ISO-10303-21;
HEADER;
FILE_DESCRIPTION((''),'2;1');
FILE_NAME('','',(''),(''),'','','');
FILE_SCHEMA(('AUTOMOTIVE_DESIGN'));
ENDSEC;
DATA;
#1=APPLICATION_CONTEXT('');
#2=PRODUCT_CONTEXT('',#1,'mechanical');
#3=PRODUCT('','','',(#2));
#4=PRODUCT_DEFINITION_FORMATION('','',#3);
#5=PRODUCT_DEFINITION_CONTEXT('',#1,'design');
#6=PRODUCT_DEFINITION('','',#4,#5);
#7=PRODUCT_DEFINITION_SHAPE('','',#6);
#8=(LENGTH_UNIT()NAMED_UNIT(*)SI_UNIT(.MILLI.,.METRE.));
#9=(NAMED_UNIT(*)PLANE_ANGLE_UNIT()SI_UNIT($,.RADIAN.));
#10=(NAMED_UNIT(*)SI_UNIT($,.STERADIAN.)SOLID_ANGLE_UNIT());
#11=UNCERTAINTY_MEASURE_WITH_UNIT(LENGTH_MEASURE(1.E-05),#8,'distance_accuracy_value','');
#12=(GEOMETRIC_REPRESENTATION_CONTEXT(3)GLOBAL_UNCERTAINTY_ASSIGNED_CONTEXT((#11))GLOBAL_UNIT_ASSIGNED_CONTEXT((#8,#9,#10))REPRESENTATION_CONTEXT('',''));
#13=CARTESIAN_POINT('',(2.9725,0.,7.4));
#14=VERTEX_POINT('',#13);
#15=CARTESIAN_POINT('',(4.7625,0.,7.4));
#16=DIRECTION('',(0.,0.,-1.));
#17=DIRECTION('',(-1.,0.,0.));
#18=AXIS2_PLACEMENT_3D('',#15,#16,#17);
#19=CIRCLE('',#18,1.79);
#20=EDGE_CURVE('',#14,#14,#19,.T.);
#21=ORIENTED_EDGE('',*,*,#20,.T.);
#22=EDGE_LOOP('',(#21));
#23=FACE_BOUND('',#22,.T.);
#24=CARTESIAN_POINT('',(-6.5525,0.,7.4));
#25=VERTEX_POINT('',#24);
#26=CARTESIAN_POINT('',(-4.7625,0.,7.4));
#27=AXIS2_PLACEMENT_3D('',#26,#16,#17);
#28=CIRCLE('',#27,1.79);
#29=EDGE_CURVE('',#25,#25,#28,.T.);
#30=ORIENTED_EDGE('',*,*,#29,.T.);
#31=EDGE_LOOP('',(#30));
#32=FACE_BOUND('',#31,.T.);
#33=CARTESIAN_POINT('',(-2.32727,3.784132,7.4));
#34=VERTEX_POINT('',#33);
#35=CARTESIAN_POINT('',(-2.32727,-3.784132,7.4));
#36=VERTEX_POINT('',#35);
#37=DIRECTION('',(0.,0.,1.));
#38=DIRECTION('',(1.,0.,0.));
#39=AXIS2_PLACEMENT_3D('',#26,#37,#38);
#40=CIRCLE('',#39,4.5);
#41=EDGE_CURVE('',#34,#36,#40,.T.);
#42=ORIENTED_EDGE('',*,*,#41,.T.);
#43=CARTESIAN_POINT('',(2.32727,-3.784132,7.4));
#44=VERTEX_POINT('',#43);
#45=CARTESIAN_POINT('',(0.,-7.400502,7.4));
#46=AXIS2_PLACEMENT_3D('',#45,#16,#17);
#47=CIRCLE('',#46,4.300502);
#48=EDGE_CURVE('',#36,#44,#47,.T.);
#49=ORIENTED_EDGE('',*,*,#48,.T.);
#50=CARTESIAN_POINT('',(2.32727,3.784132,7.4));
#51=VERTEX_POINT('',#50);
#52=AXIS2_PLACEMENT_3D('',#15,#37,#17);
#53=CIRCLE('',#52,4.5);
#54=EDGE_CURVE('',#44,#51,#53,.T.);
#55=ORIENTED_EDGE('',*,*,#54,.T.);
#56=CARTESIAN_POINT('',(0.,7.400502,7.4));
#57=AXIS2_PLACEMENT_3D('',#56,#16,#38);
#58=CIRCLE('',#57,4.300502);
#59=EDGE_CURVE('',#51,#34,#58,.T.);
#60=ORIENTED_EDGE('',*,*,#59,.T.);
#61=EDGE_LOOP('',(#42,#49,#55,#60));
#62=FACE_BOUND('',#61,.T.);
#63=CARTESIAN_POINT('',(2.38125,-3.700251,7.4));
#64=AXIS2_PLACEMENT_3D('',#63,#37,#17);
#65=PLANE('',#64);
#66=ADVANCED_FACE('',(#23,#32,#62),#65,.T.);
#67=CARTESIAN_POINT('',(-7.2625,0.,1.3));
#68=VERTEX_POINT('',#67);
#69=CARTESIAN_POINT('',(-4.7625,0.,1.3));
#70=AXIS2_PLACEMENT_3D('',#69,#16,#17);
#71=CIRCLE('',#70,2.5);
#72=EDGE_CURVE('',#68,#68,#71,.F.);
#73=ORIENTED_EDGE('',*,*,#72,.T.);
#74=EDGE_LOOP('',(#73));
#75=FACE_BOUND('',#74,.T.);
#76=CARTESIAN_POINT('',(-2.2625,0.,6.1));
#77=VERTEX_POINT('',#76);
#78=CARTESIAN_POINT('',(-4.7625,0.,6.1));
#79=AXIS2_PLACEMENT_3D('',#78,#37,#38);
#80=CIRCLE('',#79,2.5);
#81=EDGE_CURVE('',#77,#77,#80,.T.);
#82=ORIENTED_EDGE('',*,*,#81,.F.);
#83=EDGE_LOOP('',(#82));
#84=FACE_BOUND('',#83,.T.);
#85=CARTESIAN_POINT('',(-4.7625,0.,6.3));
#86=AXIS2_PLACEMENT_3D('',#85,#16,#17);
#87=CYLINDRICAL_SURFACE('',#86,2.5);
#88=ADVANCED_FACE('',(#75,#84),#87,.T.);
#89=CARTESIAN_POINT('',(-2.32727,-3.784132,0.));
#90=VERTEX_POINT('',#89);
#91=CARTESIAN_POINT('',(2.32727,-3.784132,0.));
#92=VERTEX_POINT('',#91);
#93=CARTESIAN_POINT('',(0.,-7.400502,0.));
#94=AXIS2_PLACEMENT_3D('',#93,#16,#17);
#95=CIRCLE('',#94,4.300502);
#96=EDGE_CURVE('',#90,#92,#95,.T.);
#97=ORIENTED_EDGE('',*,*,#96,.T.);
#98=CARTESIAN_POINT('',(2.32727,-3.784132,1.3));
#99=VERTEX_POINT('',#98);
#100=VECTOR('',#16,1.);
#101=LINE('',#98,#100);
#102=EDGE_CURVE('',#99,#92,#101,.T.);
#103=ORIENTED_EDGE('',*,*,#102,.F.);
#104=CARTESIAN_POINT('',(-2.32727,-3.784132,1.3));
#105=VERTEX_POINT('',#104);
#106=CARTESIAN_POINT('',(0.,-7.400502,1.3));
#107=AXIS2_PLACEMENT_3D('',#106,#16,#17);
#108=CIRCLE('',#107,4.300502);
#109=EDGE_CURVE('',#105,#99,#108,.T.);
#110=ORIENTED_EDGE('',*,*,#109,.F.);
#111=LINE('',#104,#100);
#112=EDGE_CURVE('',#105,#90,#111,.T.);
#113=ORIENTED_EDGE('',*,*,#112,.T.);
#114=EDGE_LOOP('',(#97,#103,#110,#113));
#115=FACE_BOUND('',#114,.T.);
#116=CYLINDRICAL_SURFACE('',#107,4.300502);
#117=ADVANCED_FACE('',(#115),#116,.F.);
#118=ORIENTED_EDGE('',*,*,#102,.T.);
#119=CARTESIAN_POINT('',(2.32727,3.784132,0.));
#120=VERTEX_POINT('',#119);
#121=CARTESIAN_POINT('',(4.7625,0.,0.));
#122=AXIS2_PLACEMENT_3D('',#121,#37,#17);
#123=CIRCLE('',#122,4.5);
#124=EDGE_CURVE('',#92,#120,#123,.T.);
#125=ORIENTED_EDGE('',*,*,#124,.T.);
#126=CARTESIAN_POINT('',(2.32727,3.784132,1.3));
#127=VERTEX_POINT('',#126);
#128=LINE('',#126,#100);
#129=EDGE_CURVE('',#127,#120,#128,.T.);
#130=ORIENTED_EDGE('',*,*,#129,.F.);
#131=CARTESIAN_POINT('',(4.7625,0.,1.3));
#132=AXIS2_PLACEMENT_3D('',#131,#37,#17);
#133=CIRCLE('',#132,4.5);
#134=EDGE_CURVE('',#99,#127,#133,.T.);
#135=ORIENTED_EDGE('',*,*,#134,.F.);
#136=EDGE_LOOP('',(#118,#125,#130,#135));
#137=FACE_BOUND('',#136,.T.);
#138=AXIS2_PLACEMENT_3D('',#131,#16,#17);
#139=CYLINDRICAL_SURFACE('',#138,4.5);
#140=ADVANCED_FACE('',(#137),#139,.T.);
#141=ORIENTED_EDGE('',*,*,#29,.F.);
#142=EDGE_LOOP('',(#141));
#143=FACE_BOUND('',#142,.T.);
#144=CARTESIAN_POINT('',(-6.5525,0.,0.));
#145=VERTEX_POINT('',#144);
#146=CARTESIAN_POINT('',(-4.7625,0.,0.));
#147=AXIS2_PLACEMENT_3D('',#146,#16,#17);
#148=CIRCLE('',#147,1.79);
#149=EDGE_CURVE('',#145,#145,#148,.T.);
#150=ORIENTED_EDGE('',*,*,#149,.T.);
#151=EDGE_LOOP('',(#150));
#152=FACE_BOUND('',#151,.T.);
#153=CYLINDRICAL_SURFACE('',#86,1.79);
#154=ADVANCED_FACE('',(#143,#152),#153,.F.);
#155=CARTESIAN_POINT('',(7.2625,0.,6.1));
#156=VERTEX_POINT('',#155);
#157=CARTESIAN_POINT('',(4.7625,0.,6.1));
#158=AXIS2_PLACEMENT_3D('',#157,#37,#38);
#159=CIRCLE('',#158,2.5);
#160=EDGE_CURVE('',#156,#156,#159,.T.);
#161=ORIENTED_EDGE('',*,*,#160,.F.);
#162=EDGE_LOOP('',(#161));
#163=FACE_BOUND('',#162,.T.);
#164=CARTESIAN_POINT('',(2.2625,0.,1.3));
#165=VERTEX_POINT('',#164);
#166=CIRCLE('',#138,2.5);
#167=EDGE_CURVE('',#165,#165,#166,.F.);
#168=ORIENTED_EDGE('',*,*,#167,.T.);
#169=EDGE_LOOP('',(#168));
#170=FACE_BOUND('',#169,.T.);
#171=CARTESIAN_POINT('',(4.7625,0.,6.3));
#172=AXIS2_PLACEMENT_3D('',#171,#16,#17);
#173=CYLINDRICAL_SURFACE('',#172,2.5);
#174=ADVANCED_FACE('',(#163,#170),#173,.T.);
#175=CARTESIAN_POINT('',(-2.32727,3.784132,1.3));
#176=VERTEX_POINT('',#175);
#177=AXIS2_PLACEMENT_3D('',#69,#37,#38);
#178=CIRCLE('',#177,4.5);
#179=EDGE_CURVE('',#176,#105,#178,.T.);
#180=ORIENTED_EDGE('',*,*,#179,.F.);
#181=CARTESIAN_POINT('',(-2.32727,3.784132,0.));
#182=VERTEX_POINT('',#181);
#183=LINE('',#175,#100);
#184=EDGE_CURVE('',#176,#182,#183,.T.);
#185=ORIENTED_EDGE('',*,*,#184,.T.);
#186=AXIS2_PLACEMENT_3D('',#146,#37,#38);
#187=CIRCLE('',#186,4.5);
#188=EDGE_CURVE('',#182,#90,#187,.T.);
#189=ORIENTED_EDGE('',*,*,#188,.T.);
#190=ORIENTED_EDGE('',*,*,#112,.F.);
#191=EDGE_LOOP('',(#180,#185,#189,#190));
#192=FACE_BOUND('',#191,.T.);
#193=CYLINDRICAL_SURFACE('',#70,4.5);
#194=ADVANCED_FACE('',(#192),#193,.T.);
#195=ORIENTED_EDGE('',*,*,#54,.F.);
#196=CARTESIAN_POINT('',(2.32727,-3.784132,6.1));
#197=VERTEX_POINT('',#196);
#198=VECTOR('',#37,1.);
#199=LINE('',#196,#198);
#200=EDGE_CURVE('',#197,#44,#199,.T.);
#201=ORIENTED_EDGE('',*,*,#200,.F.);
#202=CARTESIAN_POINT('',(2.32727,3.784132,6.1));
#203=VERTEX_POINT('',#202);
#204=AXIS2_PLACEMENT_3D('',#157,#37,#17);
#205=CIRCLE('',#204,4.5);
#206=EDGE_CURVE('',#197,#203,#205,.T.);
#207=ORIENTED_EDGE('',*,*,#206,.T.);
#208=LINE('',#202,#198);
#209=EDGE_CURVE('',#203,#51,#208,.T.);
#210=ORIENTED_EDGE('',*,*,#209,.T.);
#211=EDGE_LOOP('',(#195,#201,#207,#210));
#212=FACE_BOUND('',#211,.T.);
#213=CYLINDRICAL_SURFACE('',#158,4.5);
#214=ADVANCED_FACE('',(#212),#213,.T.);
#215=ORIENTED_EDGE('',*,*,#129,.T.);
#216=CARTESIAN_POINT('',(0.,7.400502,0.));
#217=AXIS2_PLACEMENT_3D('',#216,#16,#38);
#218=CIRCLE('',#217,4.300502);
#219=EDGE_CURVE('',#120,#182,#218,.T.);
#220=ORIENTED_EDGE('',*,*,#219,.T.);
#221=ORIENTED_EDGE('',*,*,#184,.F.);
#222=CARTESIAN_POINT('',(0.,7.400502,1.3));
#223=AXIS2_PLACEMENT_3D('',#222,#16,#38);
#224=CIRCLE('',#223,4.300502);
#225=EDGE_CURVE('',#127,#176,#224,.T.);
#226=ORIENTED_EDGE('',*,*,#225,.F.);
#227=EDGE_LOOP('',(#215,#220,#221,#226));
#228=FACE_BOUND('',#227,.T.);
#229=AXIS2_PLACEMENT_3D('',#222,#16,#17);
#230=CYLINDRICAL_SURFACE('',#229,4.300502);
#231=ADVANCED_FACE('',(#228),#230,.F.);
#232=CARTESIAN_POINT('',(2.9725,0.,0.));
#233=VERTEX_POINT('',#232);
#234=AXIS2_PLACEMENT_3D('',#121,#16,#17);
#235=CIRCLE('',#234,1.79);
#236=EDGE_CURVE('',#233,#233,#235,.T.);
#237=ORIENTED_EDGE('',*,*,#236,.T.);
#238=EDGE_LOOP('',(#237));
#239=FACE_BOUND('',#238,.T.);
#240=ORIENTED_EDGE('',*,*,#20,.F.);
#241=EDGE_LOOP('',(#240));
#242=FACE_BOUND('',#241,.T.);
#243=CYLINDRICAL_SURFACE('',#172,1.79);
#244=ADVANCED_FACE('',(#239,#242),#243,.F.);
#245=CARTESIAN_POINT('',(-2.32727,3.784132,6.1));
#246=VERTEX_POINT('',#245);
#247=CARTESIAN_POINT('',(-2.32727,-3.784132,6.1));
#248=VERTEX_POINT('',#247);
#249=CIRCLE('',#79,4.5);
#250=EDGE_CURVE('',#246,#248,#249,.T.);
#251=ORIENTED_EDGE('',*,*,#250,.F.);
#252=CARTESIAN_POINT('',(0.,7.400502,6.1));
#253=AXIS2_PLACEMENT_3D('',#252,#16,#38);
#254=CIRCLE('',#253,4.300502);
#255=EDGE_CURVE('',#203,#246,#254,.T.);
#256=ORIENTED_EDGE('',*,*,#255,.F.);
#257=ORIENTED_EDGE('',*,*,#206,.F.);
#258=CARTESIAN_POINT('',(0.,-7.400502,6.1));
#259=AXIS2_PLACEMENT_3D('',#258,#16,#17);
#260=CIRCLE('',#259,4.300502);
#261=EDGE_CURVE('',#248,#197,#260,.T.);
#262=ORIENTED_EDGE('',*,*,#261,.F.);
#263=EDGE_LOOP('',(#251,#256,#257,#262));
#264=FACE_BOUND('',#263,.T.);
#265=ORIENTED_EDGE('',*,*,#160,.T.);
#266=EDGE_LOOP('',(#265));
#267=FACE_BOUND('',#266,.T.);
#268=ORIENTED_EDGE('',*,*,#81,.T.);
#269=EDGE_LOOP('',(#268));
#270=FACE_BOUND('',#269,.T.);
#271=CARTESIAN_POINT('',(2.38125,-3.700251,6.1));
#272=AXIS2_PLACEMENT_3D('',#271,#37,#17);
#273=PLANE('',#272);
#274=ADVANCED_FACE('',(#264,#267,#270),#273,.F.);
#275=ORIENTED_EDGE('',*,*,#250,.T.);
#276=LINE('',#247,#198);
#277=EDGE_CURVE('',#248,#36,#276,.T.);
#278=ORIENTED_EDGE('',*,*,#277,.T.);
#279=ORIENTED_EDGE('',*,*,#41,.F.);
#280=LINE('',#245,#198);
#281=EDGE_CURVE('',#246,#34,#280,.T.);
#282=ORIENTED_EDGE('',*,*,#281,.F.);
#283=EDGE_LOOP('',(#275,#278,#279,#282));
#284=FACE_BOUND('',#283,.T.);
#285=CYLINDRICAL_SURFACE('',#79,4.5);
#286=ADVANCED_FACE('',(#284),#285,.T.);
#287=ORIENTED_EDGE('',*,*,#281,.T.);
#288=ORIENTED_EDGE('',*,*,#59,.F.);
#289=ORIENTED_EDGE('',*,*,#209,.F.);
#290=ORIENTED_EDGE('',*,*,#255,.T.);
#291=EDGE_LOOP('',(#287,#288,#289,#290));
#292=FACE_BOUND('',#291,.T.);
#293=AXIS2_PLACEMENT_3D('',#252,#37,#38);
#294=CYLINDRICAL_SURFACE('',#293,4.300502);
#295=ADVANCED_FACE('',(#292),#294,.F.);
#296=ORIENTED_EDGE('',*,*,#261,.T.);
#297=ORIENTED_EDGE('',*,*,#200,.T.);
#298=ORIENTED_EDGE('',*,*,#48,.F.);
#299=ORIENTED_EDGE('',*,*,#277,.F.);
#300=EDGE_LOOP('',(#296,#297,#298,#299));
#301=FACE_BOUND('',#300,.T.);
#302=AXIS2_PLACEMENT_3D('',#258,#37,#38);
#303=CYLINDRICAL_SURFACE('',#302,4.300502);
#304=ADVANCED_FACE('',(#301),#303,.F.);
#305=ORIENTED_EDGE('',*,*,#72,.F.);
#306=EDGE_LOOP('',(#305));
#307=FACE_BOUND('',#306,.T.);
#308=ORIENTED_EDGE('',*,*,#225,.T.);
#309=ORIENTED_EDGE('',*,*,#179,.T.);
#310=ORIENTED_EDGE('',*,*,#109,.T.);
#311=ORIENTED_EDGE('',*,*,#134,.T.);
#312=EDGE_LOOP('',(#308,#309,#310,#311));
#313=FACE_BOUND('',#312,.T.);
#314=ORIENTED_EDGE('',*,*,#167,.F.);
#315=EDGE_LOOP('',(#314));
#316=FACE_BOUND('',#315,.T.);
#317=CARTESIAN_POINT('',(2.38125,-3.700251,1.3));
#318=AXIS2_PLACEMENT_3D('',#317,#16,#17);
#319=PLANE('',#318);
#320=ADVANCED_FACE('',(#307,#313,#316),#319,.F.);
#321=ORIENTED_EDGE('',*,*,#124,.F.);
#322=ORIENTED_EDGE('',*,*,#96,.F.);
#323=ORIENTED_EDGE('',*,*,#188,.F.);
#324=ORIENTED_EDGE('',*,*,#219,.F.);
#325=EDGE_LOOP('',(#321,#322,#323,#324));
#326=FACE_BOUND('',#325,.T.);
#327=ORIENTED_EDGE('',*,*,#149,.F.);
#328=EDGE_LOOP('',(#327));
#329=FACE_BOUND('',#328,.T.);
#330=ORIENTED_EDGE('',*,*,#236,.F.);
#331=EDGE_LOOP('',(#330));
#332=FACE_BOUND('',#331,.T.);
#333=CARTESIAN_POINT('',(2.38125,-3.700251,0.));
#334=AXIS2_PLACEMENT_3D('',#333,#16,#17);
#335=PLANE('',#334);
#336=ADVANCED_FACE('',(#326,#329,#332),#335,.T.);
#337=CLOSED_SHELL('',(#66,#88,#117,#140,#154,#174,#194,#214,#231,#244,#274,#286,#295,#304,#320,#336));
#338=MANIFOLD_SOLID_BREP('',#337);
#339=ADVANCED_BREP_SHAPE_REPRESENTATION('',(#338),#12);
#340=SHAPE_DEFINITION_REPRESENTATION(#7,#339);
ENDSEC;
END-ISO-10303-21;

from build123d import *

# Parameters (mm, degrees)
BOSS_EXTRUDE1_DEPTH     = 1.3
SKETCH2_R               = 2.5
SKETCH2_R_2             = 1.79
BOSS_EXTRUDE2_DEPTH     = 5
CUT_EXTRUDE1_DEPTH      = 11.942298947
CUT_EXTRUDE1_DEPTH_BACK = 11.942298947
SKETCH4_R               = 1.79


with BuildPart() as part:
    # Sketch1 → Boss-Extrude1 (new body)
    with BuildSketch(Plane.XY):
        with BuildLine():
            ThreePointArc((-2.327269665, 3.784131765), (-9.2625, 0), (-2.327269665, -3.784131765))
            ThreePointArc((-2.327269665, -3.784131765), (0, -3.1), (2.327269665, -3.784131765))
            ThreePointArc((2.327269665, -3.784131765), (9.2625, 0), (2.327269665, 3.784131765))
            ThreePointArc((2.327269665, 3.784131765), (0, 3.1), (-2.327269665, 3.784131765))
        make_face()
    boss_extrude1 = extrude(amount=BOSS_EXTRUDE1_DEPTH)

    # Sketch2 → Boss-Extrude2 (add)
    # profile 1 of 2: a face of its own
    with BuildSketch(Plane.XY.offset(1.3)):
        with Locations(Location((-4.7625, 0, 0), (0, 0, 180))):
            Circle(SKETCH2_R)
        with Locations((-4.7625, 0)):
            Circle(SKETCH2_R_2, mode=Mode.SUBTRACT)
    # profile 2 of 2: a face of its own
    with BuildSketch(Plane.XY.offset(1.3)):
        with Locations(Location((4.7625, 0, 0), (0, 0, 180))):
            Circle(SKETCH2_R)
        with Locations((4.7625, 0)):
            Circle(SKETCH2_R_2, mode=Mode.SUBTRACT)
    extrude(amount=BOSS_EXTRUDE2_DEPTH)

    # Mirror5: Boss-Extrude1 across plane
    add(boss_extrude1.mirror(Plane(origin=(0, 0, 3.7), x_dir=(1, 0, 0), z_dir=(0, 0, -1))))

    # Sketch4 → Cut-Extrude1 (cut, two sides: drawn at the far end of the back side and taken through both)
    with BuildSketch(Plane(origin=(0, 0, 3.7), x_dir=(-1, 0, 0), z_dir=(0, 0, -1)).offset(-CUT_EXTRUDE1_DEPTH_BACK)):
        with Locations((-4.7625, 0)):
            Circle(SKETCH4_R)
        with Locations((4.7625, 0)):
            Circle(SKETCH4_R)
    extrude(amount=CUT_EXTRUDE1_DEPTH + CUT_EXTRUDE1_DEPTH_BACK, mode=Mode.SUBTRACT)


solid = part.part
